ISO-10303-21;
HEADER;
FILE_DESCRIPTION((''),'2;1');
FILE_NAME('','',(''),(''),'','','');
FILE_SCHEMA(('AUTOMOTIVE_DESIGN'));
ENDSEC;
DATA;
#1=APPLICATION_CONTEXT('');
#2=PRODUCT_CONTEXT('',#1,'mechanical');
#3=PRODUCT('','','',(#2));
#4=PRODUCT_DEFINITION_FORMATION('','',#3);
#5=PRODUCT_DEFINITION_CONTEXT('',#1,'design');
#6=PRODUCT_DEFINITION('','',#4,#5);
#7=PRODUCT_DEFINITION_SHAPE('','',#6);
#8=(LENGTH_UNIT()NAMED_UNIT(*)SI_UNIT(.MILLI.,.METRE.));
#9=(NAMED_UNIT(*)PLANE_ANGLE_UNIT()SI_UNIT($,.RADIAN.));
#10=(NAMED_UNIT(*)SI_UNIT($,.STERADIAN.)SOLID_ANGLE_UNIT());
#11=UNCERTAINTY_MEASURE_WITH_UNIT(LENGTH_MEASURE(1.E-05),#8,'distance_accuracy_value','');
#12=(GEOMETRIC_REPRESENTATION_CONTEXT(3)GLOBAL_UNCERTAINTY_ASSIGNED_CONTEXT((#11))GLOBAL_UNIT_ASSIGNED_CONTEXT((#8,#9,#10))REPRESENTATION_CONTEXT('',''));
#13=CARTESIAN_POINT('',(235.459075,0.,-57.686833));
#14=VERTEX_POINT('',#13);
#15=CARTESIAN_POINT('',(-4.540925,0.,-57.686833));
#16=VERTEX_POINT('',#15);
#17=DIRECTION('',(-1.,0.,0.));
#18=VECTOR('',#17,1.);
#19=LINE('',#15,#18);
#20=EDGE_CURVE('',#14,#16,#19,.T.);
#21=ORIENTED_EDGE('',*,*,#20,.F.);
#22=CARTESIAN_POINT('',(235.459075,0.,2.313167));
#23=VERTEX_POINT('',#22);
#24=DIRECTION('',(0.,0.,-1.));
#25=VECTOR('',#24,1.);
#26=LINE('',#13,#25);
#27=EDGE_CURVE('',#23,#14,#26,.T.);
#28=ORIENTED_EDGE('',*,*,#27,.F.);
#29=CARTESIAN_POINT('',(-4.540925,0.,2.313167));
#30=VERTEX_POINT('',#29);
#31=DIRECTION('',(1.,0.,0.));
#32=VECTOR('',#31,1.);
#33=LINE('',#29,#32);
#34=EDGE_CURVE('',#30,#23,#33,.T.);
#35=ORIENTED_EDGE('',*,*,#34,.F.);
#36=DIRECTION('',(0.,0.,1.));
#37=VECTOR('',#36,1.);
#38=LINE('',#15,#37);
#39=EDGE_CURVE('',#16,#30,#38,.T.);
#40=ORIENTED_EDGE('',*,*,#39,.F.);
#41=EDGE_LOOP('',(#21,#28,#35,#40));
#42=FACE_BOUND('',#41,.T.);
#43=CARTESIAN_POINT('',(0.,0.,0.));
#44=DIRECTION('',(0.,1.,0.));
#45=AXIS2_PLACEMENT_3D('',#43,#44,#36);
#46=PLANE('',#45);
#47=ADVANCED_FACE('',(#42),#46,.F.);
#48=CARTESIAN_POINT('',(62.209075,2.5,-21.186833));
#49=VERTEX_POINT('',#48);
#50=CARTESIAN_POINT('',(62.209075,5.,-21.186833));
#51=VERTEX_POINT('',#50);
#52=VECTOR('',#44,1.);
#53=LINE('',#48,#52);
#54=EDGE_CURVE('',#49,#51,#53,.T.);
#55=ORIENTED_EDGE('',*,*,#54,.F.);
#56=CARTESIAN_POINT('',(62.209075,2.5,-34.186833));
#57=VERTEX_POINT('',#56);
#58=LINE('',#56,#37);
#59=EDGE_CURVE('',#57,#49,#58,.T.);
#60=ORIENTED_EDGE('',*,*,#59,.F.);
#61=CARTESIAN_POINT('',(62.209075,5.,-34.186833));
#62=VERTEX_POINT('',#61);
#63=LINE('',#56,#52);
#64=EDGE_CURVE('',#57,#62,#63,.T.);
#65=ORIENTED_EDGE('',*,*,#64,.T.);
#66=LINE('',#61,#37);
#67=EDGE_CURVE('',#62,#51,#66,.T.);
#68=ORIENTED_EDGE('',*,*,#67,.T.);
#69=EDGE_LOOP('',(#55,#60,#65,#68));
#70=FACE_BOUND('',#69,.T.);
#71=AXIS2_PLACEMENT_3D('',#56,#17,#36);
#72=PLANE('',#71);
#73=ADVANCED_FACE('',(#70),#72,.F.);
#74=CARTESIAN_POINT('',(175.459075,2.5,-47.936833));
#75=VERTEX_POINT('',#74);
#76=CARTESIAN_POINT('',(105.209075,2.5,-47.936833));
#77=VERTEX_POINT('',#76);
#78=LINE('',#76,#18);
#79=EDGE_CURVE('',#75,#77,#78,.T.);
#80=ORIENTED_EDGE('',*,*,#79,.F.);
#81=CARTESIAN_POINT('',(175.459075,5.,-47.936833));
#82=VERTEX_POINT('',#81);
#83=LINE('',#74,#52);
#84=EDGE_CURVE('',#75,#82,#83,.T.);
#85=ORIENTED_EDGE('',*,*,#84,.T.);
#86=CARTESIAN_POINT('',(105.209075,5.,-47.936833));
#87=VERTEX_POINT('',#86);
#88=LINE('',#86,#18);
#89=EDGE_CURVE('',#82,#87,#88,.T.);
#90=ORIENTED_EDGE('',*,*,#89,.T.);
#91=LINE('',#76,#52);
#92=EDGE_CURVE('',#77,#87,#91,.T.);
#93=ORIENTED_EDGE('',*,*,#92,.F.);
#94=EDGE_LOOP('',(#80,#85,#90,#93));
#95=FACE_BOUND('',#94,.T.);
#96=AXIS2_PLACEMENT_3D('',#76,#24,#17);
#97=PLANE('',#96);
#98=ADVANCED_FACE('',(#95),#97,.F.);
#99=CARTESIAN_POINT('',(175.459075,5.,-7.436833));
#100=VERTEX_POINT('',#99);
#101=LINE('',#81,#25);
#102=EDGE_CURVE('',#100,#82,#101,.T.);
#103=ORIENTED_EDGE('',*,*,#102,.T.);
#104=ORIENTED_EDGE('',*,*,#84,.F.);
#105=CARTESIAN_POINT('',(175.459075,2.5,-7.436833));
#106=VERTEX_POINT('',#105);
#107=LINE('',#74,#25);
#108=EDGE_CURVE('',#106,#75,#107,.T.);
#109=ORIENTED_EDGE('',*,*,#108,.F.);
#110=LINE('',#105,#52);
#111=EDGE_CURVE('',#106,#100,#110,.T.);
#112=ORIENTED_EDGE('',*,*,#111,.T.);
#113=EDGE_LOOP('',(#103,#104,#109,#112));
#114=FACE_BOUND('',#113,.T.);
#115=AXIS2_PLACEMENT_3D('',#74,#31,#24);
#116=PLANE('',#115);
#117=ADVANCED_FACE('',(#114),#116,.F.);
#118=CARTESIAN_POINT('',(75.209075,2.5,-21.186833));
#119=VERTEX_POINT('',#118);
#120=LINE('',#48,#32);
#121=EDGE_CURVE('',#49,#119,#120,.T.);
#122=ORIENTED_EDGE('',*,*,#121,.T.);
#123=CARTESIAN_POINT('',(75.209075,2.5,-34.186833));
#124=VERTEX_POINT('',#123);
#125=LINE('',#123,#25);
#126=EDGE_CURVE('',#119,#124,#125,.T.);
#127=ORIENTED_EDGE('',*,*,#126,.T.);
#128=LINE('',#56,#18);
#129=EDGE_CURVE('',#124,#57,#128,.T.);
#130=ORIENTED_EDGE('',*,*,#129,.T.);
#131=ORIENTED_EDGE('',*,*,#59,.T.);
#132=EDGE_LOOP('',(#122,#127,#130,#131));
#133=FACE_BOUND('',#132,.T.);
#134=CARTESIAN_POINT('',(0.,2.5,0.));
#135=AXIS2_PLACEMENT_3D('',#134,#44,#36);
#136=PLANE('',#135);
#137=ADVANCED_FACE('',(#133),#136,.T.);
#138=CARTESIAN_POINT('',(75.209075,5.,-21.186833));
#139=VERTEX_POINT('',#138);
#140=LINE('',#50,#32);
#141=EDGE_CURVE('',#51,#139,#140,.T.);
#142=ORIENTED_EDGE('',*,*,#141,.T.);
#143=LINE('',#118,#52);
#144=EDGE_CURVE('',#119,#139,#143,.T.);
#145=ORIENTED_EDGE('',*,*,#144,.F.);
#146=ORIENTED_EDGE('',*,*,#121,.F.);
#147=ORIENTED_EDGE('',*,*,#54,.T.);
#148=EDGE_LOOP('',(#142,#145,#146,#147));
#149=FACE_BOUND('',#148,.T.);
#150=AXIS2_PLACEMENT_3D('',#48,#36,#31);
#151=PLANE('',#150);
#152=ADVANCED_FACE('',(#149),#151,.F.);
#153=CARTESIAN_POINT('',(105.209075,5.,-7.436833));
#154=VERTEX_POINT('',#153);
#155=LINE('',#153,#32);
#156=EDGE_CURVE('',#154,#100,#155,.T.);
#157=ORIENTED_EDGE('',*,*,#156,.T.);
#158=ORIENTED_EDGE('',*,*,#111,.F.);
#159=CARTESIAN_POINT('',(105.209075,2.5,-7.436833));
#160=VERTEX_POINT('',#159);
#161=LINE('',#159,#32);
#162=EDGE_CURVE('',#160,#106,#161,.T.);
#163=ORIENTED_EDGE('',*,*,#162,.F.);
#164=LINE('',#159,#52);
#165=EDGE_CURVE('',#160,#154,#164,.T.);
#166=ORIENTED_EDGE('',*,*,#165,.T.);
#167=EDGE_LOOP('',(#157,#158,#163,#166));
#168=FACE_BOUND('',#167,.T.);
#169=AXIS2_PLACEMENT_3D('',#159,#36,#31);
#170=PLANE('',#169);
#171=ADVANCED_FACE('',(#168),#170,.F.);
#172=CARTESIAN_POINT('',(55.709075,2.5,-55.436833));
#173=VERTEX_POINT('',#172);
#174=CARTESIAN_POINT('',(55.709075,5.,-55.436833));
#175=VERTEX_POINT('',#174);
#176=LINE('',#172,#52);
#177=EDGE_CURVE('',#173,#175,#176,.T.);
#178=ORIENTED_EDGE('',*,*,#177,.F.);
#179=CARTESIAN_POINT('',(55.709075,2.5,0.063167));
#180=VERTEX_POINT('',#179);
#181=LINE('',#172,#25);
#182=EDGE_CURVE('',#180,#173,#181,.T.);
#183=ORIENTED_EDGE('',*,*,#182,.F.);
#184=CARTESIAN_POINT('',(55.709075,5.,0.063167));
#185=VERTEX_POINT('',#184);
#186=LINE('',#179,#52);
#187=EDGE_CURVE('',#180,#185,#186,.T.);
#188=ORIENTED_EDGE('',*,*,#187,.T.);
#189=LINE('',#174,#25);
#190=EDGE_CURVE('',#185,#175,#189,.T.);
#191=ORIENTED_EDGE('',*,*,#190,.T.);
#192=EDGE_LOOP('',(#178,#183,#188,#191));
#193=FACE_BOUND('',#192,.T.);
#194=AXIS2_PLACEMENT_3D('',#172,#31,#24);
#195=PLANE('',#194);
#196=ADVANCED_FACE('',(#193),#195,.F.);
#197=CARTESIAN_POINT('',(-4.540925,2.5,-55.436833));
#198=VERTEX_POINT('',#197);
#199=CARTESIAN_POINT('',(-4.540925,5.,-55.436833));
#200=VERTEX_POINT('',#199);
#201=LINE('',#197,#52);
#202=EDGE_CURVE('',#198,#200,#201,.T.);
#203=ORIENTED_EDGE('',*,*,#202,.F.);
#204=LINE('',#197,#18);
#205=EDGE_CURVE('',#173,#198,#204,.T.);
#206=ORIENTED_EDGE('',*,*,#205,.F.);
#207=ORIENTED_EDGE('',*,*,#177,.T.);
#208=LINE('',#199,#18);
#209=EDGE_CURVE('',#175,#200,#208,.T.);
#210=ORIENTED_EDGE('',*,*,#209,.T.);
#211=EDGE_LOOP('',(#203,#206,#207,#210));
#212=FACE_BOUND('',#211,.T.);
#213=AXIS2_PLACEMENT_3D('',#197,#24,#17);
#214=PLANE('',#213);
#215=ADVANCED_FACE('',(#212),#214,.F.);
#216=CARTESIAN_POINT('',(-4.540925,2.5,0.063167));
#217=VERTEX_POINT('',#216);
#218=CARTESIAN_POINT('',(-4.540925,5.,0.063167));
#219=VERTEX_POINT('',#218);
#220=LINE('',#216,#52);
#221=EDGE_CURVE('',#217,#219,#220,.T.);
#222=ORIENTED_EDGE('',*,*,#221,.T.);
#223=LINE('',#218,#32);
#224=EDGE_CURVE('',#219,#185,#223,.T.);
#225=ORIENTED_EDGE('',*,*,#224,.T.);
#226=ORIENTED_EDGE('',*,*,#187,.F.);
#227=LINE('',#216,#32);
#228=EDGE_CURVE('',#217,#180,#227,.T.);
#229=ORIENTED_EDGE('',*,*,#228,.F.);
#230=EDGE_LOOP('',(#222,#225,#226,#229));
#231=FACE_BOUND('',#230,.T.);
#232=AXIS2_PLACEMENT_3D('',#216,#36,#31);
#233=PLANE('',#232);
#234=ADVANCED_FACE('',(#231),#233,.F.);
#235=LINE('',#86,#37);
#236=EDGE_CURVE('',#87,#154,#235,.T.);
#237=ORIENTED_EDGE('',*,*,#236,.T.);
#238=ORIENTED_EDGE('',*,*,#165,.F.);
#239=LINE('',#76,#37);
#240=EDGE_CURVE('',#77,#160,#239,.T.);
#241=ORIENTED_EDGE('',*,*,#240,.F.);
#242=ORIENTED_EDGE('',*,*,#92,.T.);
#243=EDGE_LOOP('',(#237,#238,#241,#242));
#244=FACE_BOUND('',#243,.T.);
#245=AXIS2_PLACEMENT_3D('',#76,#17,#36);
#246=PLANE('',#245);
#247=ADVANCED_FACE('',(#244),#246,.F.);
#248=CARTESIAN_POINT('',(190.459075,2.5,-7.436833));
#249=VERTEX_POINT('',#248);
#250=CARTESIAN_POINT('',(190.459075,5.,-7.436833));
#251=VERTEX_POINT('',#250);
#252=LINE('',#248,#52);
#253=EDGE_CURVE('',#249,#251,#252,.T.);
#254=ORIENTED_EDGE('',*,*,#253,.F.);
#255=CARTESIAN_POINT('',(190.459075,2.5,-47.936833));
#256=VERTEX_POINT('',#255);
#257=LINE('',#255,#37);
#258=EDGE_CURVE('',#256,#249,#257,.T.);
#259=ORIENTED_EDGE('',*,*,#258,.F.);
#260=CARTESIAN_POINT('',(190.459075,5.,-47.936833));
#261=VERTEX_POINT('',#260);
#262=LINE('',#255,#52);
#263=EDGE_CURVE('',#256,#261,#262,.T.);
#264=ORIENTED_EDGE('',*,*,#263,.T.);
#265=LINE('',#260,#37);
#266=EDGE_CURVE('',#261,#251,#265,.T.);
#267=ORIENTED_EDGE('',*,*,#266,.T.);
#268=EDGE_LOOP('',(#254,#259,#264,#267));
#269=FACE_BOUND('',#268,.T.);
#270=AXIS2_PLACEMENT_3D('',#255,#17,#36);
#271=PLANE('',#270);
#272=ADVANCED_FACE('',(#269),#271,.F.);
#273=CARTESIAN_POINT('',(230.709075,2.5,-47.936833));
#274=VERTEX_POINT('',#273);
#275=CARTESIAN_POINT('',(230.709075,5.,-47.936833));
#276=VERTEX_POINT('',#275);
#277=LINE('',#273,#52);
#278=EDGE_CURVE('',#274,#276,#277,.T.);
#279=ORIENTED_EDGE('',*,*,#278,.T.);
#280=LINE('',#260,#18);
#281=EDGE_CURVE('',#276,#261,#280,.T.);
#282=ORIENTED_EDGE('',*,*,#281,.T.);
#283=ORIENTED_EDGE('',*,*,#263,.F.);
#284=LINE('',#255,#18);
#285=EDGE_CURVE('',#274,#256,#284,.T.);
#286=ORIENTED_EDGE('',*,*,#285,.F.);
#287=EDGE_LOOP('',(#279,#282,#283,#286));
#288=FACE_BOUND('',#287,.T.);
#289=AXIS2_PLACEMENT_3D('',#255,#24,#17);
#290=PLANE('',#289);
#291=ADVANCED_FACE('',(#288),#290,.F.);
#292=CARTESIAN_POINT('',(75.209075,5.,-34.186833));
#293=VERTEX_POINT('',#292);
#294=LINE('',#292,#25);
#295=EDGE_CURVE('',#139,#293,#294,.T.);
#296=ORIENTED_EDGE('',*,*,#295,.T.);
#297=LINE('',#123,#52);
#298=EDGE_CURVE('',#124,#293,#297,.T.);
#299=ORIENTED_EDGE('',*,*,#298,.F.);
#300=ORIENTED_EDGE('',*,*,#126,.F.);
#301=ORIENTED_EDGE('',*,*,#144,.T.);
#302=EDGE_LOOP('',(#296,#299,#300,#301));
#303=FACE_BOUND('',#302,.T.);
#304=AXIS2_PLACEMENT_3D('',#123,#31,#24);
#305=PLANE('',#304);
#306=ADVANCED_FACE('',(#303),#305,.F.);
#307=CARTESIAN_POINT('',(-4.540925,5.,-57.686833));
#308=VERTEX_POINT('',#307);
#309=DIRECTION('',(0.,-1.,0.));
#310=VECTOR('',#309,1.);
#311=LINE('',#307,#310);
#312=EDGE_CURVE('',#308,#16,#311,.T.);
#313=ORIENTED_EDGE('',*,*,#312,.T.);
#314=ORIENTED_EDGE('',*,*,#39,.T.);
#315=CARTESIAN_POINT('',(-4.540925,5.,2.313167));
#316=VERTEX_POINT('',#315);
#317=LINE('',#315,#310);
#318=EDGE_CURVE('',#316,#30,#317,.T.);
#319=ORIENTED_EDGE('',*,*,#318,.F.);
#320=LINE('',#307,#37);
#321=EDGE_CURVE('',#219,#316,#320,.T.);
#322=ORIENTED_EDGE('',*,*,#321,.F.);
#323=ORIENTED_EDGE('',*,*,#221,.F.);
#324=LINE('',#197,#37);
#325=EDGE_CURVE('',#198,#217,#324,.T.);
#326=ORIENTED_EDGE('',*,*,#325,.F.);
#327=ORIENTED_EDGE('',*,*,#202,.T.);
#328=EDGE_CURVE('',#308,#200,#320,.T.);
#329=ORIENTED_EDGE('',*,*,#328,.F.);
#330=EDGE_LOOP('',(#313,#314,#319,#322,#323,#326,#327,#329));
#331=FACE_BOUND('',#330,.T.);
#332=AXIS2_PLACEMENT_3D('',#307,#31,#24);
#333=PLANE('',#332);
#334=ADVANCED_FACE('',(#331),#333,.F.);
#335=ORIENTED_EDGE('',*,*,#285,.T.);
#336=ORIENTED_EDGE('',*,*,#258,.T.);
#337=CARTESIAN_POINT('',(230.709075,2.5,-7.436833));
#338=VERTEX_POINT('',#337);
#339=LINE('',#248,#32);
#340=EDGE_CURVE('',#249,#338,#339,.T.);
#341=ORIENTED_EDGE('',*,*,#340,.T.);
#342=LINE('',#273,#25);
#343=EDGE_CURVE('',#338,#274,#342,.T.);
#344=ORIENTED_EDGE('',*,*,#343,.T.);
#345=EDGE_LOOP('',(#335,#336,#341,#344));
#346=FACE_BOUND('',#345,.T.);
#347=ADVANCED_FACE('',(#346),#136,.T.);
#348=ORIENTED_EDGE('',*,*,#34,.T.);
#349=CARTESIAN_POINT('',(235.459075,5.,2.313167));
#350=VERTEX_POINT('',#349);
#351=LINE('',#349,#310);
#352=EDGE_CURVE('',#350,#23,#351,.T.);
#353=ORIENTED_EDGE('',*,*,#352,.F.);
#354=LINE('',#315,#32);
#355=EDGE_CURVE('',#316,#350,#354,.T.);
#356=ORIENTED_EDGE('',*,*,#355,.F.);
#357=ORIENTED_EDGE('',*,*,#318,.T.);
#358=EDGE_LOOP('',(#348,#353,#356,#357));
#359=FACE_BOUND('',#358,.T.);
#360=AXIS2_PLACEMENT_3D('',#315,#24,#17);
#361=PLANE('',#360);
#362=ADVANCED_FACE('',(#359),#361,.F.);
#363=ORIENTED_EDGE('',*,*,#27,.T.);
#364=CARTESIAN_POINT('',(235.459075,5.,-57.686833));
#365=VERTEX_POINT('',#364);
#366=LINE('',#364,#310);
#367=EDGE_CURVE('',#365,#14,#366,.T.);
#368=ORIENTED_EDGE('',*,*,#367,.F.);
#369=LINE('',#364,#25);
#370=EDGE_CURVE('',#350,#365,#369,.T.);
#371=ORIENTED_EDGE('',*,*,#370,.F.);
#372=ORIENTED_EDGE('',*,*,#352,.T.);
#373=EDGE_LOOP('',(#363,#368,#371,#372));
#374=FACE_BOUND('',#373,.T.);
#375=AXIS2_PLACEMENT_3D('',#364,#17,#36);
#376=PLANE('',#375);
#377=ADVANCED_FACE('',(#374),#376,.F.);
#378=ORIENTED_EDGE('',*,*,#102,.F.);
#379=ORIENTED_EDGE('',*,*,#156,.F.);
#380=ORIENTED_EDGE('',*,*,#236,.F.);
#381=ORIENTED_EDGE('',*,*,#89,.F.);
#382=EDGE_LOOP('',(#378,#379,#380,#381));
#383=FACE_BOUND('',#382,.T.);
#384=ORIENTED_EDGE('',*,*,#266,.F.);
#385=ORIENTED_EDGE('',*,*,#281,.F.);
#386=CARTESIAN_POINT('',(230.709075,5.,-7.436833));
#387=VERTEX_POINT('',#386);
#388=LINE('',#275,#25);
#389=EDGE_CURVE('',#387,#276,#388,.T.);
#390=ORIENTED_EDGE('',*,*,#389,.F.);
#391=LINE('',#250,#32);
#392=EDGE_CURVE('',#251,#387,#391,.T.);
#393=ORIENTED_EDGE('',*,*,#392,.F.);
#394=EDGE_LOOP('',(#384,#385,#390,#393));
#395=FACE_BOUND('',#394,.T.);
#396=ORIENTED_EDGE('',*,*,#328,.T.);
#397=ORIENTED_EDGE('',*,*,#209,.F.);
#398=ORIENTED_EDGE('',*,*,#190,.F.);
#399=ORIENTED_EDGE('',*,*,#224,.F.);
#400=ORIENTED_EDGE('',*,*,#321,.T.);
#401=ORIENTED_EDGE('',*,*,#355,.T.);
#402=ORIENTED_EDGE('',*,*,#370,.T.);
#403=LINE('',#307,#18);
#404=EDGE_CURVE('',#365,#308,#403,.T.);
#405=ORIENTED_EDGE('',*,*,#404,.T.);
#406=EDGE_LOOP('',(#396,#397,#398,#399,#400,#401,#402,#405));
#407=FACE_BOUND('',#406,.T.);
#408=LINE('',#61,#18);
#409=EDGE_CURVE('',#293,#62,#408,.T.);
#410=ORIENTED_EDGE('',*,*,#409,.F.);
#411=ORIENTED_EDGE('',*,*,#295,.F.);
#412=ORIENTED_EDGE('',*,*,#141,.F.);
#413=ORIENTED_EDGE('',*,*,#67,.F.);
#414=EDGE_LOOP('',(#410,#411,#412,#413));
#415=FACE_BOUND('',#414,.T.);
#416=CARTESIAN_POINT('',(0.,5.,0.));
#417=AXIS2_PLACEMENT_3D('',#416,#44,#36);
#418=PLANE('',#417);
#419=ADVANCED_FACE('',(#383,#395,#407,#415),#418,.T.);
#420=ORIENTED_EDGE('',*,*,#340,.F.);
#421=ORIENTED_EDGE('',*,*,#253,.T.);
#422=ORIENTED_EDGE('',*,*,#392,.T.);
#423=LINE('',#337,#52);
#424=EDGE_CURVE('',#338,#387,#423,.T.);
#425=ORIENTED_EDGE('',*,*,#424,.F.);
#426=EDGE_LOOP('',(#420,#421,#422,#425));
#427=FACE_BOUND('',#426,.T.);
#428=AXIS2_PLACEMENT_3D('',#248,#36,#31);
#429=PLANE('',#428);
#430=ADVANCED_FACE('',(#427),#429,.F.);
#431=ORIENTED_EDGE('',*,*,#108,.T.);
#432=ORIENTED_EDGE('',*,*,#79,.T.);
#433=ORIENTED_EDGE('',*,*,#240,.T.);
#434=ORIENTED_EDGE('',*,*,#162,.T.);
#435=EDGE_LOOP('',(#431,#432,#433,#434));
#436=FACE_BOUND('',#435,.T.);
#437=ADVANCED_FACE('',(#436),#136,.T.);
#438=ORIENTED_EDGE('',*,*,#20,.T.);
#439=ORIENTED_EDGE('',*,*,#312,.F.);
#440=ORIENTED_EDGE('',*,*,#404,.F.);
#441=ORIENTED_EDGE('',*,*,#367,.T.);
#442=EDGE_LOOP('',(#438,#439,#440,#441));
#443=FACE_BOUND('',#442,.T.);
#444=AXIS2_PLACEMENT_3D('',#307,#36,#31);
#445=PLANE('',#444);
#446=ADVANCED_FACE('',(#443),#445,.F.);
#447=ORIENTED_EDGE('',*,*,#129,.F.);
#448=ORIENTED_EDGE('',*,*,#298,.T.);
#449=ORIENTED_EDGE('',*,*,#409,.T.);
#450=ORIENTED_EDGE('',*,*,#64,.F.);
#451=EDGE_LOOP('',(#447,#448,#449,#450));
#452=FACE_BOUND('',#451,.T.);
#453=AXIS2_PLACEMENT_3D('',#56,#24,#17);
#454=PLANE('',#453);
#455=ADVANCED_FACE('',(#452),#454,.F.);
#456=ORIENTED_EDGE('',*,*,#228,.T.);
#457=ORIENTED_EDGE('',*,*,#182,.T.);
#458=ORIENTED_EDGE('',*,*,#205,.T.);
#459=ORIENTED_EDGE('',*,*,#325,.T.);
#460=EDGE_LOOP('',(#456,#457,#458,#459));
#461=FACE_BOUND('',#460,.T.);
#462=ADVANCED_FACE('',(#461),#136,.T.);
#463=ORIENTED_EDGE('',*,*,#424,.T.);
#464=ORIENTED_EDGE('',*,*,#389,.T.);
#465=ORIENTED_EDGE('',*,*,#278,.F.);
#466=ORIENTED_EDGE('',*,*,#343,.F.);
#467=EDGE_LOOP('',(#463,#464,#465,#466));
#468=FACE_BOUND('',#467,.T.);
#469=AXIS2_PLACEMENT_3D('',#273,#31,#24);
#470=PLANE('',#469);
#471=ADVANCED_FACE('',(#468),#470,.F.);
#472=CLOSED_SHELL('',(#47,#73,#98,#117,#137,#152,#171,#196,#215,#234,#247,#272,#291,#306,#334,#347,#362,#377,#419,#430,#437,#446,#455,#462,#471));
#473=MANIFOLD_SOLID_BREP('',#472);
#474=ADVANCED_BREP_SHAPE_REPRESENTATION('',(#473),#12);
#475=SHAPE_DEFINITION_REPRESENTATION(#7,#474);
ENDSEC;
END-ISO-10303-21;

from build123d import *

# Parameters (mm, degrees)
SKETCH1_W           = 240
SKETCH1_H           = 60
BOSS_EXTRUDE1_DEPTH = 5
SKETCH5_W           = 40.25
SKETCH5_H           = 40.5
SKETCH5_W_2         = 70.25
SKETCH5_W_3         = 13
SKETCH5_H_2         = 13
SKETCH5_W_4         = 60.25
SKETCH5_H_3         = 55.5
CUT_EXTRUDE1_DEPTH  = 2.5


with BuildPart() as part:
    # Sketch1 → Boss-Extrude1 (new body)
    with BuildSketch(Plane(origin=(0, 0, 0), x_dir=(1, 0, 0), z_dir=(0, 1, 0))):
        with Locations((115.459074733, 27.68683274)):
            Rectangle(SKETCH1_W, SKETCH1_H)
    extrude(amount=BOSS_EXTRUDE1_DEPTH)

    # Sketch5 → Cut-Extrude1 (cut)
    with BuildSketch(Plane(origin=(0, 5, 0), x_dir=(1, 0, 0), z_dir=(0, 1, 0))):
        with Locations((210.584074733, 27.68683274)):
            Rectangle(SKETCH5_W, SKETCH5_H)
        with Locations((140.334074733, 27.68683274)):
            Rectangle(SKETCH5_W_2, SKETCH5_H)
        with Locations((68.709074733, 27.68683274)):
            Rectangle(SKETCH5_W_3, SKETCH5_H_2)
        with Locations((25.584074733, 27.68683274)):
            Rectangle(SKETCH5_W_4, SKETCH5_H_3)
    extrude(amount=-CUT_EXTRUDE1_DEPTH, mode=Mode.SUBTRACT)


solid = part.part
